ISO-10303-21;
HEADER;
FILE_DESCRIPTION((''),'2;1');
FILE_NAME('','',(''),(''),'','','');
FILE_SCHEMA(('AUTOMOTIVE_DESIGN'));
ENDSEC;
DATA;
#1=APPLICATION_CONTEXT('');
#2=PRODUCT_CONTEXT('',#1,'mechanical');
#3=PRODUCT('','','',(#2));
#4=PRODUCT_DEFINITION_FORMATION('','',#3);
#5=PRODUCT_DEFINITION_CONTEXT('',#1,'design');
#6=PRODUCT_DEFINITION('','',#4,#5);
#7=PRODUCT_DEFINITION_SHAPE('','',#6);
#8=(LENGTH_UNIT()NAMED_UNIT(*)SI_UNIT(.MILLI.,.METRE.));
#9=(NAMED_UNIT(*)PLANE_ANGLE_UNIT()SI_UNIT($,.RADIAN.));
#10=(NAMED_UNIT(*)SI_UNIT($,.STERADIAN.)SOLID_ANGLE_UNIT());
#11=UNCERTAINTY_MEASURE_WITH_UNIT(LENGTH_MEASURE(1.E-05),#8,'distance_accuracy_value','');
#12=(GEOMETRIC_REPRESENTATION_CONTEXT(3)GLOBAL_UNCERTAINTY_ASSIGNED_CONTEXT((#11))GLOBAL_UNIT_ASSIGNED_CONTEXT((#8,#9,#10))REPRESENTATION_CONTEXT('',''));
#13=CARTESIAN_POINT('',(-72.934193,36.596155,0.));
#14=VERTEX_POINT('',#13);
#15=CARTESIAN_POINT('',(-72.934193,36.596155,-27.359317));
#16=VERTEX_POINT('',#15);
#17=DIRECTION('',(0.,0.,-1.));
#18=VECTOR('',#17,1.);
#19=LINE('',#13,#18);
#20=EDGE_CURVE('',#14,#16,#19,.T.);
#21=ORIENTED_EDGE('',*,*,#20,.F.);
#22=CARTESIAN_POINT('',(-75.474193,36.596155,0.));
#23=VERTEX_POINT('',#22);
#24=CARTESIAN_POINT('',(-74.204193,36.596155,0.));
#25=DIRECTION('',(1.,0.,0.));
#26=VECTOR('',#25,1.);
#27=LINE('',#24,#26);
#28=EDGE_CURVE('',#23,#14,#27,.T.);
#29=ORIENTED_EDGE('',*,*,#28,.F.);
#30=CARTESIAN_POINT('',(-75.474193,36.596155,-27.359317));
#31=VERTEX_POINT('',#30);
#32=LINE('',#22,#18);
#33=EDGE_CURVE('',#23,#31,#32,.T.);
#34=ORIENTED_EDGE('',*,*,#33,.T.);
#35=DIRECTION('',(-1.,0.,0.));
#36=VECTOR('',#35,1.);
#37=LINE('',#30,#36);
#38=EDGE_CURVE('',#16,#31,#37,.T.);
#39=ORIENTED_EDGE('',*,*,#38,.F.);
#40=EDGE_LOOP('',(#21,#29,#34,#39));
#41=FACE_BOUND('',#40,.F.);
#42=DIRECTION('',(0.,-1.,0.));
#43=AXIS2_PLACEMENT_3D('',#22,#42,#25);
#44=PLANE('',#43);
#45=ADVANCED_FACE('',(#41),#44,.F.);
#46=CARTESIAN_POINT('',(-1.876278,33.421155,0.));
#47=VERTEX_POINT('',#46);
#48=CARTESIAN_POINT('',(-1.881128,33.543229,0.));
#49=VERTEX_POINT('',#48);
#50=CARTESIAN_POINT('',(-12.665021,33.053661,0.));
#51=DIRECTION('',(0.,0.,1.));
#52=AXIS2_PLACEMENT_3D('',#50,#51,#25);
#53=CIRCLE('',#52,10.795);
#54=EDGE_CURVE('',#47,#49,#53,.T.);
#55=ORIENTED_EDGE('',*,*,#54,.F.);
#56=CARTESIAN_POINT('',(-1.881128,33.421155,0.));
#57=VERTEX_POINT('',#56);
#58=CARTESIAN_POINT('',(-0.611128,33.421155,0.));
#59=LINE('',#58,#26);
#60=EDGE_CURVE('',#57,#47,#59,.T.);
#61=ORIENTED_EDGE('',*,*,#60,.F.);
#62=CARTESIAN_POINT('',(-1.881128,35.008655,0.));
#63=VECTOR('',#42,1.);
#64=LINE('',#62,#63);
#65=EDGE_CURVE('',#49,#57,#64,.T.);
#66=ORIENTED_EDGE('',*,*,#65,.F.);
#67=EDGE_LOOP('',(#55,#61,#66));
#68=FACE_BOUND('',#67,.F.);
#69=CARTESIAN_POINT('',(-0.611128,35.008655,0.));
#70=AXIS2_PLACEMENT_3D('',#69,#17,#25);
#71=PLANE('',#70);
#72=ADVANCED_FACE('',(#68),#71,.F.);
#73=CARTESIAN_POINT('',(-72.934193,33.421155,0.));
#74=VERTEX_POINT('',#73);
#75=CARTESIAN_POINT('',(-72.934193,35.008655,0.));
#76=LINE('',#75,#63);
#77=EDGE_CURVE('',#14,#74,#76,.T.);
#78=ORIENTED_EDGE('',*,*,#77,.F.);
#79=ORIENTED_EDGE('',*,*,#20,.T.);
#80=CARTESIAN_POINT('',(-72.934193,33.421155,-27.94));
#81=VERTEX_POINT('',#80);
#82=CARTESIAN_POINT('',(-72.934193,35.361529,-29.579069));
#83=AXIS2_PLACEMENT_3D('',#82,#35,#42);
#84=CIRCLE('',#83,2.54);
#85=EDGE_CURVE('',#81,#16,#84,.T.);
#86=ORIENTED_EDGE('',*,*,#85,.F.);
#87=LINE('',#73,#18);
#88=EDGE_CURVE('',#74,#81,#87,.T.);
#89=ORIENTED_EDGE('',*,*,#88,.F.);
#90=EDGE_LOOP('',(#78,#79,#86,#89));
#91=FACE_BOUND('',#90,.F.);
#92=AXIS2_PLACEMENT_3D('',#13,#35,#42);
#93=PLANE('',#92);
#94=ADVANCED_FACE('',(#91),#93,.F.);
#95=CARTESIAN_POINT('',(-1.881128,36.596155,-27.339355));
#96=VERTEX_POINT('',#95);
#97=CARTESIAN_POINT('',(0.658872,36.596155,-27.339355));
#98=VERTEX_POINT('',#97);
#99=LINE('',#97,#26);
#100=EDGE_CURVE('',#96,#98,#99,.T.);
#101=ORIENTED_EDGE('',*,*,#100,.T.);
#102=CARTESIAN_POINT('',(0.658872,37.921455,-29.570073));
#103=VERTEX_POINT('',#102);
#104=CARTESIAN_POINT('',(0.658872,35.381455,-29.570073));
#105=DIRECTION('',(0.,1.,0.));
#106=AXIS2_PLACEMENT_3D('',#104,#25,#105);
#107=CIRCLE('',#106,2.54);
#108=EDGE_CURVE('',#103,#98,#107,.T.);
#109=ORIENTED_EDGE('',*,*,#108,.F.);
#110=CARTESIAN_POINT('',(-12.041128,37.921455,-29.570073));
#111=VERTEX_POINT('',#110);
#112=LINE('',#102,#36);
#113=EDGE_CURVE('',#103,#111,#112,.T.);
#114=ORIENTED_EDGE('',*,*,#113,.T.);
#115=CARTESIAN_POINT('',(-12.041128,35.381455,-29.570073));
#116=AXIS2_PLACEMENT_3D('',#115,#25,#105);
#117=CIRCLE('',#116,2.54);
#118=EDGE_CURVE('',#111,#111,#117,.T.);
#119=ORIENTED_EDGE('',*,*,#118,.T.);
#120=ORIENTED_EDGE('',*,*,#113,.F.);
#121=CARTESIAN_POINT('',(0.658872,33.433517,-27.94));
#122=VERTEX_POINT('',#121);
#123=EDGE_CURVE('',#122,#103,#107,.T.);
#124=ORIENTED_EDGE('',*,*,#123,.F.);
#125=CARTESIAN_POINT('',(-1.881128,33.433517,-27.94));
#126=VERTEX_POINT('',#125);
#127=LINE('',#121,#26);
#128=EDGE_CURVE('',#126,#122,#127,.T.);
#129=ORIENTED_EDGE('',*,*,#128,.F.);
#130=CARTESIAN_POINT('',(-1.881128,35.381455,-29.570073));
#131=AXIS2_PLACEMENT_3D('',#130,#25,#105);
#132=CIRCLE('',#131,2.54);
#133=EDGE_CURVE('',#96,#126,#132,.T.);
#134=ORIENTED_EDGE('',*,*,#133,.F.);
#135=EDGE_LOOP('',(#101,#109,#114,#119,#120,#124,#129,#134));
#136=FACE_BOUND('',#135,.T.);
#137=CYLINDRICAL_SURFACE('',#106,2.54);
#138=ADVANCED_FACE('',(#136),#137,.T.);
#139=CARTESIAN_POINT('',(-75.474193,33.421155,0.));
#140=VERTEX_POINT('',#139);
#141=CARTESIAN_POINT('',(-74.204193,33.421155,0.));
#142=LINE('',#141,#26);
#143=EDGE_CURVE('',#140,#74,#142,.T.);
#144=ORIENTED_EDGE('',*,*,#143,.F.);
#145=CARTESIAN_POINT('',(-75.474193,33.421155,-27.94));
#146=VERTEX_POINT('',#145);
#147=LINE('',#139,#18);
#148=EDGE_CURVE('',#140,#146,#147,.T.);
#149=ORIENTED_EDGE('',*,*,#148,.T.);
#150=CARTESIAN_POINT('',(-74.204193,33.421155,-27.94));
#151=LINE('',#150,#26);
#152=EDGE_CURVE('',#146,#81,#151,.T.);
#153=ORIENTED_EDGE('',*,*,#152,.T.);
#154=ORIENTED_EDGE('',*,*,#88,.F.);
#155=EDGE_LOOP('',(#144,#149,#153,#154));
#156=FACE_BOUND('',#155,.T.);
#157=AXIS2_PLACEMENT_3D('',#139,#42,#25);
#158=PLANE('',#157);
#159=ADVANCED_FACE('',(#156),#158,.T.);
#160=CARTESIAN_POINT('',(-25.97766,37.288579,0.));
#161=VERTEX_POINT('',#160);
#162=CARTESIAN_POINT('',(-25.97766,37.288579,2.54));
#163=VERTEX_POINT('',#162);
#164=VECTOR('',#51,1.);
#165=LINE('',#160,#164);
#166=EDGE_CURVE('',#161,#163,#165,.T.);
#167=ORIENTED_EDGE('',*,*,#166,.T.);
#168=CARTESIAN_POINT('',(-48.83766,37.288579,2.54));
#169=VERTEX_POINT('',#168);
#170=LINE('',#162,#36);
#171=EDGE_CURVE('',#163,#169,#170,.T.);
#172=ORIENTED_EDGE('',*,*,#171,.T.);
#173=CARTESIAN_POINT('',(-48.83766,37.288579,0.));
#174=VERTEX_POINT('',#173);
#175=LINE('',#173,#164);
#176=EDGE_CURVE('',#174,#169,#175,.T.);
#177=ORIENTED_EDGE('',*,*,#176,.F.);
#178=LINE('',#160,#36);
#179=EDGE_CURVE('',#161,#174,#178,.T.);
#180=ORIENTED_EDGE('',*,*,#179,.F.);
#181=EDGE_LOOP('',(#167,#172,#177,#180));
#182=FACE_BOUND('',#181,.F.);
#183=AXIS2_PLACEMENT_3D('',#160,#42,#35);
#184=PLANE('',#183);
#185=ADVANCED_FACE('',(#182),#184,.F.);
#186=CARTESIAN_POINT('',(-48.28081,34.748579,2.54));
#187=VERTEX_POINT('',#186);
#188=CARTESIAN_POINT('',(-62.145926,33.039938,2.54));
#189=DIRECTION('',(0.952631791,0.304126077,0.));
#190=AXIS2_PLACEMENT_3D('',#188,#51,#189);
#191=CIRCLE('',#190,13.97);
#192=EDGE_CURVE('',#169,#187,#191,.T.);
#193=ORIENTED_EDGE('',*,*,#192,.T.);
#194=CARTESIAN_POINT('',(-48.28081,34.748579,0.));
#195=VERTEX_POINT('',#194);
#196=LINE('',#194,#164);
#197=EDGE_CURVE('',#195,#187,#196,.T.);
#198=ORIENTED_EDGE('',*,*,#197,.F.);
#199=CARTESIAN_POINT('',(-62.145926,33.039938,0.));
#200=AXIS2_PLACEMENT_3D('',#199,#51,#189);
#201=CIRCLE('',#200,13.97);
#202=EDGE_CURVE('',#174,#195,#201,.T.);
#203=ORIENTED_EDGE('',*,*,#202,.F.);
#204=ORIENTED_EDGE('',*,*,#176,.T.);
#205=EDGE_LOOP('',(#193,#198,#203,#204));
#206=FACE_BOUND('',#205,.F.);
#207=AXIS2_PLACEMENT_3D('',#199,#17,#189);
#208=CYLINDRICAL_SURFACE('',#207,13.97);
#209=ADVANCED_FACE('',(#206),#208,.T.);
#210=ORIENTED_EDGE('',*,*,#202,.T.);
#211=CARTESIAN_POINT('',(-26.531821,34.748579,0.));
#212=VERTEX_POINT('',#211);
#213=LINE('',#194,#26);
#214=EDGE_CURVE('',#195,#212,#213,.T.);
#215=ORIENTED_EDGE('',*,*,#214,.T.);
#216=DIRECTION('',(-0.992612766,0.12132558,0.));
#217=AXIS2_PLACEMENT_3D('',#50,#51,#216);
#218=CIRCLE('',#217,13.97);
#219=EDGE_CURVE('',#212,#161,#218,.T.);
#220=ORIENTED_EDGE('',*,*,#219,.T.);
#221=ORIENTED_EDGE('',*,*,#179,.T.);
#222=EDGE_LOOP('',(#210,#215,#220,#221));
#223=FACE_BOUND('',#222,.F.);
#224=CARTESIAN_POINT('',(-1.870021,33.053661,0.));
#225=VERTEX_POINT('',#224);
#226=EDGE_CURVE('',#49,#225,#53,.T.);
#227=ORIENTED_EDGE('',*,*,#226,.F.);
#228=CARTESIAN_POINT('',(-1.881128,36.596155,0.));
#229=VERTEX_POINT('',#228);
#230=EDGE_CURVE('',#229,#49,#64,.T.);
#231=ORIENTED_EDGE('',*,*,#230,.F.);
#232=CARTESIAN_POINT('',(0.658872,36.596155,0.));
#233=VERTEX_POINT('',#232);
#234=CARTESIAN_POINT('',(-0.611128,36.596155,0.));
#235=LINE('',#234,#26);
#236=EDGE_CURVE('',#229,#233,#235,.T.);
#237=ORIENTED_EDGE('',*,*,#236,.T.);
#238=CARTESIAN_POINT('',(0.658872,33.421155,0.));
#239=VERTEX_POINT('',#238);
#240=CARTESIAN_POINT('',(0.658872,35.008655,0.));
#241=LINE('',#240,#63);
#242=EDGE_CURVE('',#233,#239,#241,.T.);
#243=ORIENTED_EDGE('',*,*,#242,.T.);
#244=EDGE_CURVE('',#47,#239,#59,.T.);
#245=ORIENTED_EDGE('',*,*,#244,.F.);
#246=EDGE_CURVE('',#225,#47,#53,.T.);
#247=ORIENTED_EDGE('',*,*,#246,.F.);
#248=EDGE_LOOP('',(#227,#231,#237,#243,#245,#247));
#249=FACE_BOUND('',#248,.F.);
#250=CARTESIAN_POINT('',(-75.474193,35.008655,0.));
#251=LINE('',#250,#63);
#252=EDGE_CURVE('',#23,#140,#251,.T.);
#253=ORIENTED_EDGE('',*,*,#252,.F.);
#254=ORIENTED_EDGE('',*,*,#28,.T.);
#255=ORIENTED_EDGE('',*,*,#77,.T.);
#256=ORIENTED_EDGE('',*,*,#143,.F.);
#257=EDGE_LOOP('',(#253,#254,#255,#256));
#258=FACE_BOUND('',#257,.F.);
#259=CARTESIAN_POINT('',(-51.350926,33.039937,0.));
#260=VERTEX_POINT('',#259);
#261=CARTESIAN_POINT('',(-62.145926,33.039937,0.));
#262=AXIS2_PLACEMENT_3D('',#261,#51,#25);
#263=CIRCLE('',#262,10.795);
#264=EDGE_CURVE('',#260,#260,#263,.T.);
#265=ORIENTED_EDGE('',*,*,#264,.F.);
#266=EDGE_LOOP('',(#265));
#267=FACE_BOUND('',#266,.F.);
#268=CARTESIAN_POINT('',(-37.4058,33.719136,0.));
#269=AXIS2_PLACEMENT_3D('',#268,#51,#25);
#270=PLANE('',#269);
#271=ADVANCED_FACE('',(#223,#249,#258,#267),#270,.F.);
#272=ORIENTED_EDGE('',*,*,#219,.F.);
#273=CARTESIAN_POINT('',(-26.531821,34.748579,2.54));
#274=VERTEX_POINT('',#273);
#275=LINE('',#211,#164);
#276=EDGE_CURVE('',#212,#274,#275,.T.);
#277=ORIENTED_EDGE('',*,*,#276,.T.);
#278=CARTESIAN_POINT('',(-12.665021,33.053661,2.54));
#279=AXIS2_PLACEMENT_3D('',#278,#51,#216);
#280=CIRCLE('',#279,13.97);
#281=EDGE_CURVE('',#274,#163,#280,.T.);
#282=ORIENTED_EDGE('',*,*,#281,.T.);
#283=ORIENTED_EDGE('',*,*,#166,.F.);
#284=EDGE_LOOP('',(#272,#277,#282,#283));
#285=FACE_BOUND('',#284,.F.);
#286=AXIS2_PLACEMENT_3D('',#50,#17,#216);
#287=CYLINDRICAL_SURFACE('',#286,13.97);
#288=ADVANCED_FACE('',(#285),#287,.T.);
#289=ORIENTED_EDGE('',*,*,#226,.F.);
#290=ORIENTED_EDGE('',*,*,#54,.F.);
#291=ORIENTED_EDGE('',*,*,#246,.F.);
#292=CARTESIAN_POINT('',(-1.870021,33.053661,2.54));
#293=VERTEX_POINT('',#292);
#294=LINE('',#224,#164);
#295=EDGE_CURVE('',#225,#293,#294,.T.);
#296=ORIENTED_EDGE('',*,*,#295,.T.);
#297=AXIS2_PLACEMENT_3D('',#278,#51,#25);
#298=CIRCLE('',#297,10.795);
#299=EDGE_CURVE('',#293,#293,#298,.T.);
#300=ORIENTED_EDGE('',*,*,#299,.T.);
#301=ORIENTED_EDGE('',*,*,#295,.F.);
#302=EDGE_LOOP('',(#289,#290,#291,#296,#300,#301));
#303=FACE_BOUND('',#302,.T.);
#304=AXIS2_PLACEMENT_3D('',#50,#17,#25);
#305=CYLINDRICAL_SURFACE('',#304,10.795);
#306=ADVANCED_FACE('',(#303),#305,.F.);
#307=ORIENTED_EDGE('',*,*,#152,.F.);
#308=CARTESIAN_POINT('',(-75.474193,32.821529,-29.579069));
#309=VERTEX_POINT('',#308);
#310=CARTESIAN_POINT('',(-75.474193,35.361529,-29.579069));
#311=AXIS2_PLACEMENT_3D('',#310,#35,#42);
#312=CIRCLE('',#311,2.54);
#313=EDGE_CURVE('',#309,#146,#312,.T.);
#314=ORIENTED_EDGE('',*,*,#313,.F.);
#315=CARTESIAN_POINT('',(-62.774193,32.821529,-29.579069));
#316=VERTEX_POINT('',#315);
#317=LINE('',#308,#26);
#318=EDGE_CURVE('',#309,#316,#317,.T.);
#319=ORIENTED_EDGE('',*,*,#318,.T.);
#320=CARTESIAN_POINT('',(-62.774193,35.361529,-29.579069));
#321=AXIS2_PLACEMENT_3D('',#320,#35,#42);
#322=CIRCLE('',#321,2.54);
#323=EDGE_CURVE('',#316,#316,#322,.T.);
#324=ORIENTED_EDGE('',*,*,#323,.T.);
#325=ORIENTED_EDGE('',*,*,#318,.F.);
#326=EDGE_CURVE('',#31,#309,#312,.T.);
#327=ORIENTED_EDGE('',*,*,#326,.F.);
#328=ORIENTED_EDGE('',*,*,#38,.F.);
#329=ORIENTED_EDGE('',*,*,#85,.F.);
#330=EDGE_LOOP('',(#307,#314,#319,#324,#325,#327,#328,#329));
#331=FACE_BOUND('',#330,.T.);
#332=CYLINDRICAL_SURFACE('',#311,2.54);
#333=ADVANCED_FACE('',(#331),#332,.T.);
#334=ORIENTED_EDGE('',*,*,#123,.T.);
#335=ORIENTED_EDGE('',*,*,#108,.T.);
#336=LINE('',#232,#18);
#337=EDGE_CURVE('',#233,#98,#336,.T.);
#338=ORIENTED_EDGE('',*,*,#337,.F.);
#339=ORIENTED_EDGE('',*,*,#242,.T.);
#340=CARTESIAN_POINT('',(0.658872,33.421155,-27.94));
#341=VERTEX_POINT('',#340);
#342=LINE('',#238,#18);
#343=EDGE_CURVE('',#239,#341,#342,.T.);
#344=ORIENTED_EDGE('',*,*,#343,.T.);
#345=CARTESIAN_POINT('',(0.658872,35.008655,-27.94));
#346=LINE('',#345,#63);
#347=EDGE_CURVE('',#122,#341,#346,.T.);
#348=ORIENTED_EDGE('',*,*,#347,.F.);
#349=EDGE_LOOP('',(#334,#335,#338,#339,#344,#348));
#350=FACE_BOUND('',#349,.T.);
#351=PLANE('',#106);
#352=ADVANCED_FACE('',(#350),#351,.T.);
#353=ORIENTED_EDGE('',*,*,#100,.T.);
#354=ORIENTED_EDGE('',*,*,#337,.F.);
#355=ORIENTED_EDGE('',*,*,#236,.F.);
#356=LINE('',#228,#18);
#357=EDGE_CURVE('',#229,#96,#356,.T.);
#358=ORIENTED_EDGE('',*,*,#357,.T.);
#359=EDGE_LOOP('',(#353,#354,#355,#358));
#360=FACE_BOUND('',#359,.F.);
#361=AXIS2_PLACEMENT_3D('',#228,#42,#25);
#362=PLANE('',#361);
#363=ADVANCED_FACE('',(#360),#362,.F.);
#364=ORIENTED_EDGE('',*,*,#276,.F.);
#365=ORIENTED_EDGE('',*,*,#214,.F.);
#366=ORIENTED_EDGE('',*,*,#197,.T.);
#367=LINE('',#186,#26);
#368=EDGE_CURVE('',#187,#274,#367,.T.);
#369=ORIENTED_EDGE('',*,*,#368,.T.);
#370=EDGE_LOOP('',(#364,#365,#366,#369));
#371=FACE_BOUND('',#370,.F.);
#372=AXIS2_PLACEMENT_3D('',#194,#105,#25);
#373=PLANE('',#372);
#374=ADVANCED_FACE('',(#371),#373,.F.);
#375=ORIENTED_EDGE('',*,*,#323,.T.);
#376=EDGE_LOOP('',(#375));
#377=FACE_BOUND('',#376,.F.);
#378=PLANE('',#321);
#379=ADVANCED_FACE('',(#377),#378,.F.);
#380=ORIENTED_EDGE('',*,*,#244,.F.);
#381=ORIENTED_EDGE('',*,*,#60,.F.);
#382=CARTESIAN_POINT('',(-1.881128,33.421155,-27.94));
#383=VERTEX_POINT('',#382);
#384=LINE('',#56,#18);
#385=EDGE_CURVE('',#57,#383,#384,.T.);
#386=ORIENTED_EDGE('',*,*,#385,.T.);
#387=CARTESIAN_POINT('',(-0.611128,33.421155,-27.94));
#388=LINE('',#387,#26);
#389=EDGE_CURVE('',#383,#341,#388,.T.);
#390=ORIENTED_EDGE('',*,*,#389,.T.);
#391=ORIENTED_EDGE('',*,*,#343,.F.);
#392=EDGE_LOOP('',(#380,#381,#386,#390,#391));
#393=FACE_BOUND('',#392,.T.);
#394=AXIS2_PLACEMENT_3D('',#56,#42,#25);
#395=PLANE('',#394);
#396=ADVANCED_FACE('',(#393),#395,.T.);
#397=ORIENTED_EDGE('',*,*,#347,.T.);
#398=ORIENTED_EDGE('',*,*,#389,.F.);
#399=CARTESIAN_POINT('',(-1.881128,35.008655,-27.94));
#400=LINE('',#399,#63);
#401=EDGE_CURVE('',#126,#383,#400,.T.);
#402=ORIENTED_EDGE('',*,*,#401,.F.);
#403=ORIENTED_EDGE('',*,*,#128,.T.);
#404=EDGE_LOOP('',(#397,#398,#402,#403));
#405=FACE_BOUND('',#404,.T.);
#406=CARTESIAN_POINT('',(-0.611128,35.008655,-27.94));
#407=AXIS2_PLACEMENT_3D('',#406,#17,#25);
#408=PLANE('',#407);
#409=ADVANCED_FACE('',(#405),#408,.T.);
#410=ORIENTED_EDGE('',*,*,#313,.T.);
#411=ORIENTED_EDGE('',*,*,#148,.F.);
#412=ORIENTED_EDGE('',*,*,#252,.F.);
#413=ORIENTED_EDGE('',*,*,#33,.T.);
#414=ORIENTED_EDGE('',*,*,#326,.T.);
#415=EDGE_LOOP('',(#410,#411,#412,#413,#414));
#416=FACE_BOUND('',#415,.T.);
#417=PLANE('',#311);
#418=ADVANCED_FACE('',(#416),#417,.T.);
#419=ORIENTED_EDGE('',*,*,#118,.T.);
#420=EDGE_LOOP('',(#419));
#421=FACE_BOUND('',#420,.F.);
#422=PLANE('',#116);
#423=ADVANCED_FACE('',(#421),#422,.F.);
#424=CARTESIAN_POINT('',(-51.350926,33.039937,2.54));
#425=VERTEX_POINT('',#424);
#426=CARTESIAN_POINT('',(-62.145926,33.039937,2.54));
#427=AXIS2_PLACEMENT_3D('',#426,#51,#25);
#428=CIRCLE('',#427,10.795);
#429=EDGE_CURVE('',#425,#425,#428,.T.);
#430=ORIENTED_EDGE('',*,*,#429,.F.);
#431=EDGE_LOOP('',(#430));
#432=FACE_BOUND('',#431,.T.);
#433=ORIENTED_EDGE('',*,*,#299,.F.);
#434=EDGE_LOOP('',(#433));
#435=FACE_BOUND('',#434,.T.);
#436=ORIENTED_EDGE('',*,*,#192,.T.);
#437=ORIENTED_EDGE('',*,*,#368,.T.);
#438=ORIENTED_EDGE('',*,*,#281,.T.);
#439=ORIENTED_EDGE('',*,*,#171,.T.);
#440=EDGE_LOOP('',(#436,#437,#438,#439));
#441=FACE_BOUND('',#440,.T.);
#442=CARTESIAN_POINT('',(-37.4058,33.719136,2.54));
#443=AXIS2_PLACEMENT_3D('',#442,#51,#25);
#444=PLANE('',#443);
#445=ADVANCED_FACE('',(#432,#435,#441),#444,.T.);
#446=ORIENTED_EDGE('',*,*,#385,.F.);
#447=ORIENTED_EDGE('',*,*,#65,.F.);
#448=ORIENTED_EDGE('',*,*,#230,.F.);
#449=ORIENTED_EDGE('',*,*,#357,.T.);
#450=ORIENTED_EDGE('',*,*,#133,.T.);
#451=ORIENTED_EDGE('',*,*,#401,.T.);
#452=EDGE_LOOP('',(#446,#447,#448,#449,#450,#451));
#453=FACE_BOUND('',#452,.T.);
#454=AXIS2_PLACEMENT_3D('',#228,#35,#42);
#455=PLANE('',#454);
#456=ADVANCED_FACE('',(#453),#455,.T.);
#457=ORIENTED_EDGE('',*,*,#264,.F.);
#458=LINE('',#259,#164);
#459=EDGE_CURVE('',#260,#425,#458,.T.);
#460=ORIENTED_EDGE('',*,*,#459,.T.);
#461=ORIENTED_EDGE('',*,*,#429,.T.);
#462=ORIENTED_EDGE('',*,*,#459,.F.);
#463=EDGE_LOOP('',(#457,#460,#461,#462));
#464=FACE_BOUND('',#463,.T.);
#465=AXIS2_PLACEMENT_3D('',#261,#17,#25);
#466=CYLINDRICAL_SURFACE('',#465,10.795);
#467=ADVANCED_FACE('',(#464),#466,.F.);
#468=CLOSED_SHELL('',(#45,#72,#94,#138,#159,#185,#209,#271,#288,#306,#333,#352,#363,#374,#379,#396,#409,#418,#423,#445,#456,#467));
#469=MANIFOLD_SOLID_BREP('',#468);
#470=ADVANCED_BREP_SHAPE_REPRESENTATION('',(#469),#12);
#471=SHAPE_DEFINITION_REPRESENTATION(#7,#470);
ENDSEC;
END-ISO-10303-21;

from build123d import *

# Parameters (mm, degrees)
F0_R     = 10.795
F1_DEPTH = 2.54
F2_W     = 2.54
F2_H     = 3.175
F3_DEPTH = 27.94
F4_R     = 2.54
F5_DEPTH = 12.7
F6_R     = 2.54
F7_DEPTH = 12.7


with BuildPart() as f1:
    # F0 (on Top) → F1 (new body)
    with BuildSketch(Plane.XY):
        with BuildLine():
            Line((-25.97766, 37.288579), (-48.83766, 37.288579))
            ThreePointArc((-48.83766, 37.288579), (-75.791844, 30.04831), (-48.28081, 34.748579))
            Line((-48.28081, 34.748579), (-26.531821, 34.748579))
            ThreePointArc((-26.531821, 34.748579), (0.983912, 30.075824), (-25.97766, 37.288579))
        make_face()
        with Locations((-62.145926, 33.039937)):
            Circle(F0_R, mode=Mode.SUBTRACT)
        with Locations((-12.665021, 33.053661)):
            Circle(F0_R, mode=Mode.SUBTRACT)
    extrude(amount=F1_DEPTH)

    # F2 (on face) → F3 (join)
    with BuildSketch(Plane(origin=(0, 0, 0), x_dir=(1, 0, 0), z_dir=(0, 0, -1))):
        with Locations((-74.204193, -35.008655)):
            Rectangle(F2_W, F2_H)
        with Locations((-0.611128, -35.008655)):
            Rectangle(F2_W, F2_H)
    extrude(amount=F3_DEPTH)

    # F4 (on face) → F5 (join)
    with BuildSketch(Plane(origin=(-75.474193, 0, 0), x_dir=(0, -1, 0), z_dir=(-1, 0, 0))):
        with Locations((-35.361529, -29.579069)):
            Circle(F4_R)
    extrude(amount=-F5_DEPTH)

    # F6 (on face) → F7 (join)
    with BuildSketch(Plane.YZ.offset(0.658872)):
        with Locations((35.381455, -29.570073)):
            Circle(F6_R)
    extrude(amount=-F7_DEPTH)


solid = f1.part
